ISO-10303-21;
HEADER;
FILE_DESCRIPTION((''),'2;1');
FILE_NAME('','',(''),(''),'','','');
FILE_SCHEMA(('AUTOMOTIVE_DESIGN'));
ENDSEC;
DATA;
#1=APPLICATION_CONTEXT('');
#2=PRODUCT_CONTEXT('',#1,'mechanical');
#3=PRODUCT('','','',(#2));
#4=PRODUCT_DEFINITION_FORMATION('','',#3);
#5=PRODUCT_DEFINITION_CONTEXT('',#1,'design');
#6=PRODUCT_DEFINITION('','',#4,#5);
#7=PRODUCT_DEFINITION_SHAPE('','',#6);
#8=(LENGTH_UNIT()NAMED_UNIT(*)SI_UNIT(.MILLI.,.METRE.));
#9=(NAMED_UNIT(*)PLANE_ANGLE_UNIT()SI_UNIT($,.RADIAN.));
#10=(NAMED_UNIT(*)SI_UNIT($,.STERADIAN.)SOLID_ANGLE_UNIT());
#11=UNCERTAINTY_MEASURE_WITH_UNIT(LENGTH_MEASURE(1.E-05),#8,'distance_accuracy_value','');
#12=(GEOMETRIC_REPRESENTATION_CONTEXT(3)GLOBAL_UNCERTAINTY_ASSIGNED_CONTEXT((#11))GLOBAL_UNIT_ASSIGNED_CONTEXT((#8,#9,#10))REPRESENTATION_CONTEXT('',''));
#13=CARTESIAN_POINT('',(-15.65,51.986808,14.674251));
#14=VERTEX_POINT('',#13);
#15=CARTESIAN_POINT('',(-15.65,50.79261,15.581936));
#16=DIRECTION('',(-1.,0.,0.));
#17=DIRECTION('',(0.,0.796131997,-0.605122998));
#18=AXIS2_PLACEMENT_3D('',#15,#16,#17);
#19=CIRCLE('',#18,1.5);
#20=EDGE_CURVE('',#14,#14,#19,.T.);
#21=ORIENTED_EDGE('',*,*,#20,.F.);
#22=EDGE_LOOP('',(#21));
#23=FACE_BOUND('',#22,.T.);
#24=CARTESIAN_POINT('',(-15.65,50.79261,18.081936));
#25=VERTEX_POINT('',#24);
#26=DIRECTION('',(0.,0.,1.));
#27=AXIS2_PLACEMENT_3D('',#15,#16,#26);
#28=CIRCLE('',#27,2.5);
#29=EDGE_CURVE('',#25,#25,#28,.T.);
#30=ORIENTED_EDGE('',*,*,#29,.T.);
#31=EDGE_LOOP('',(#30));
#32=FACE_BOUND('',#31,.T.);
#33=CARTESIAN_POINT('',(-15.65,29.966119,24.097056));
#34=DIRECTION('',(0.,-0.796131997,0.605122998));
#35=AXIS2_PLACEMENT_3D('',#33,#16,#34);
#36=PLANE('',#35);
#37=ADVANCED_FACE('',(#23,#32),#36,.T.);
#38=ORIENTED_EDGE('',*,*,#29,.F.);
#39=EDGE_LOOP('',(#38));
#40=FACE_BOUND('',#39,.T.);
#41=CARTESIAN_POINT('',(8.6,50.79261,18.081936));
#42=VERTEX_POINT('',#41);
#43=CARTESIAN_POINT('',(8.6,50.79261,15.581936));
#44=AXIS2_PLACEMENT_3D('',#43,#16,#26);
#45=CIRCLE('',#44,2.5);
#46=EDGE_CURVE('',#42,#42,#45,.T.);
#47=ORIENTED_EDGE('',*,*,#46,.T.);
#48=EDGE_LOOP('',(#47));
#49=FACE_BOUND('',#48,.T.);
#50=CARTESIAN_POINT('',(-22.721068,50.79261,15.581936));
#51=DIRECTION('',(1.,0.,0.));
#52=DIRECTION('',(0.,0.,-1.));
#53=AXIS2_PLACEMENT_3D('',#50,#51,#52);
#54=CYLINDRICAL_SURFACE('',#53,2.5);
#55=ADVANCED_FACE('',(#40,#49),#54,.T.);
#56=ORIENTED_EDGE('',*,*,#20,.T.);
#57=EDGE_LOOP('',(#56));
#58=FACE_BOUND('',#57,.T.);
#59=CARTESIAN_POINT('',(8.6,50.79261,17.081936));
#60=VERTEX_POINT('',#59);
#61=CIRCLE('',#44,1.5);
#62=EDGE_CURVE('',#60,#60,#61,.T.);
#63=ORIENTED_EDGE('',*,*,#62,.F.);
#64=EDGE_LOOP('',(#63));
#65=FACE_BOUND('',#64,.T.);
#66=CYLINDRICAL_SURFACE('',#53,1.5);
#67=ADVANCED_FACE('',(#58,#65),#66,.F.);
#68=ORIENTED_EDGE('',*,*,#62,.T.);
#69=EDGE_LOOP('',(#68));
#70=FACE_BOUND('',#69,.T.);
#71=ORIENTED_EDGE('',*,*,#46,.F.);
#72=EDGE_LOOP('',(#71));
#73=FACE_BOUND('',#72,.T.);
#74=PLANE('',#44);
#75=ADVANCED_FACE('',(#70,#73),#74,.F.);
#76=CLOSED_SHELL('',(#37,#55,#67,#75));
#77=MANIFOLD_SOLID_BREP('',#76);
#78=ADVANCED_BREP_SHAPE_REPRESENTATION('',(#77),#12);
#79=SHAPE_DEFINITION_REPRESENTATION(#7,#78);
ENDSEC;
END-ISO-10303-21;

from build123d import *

# Parameters (mm, degrees)
SKETCH2_R           = 2.5
SKETCH2_R_2         = 1.5
BOSS_EXTRUDE1_DEPTH = 24.25


with BuildPart() as part:
    # Sketch2 → Boss-Extrude1 (new body)
    with BuildSketch(Plane.ZY.offset(-8.6)):
        with Locations((15.581935778, 50.792610241)):
            Circle(SKETCH2_R)
        with Locations(Location((15.581935778, 50.792610241, 0), (0, 0, 127.237693231))):
            Circle(SKETCH2_R_2, mode=Mode.SUBTRACT)
    extrude(amount=BOSS_EXTRUDE1_DEPTH)


solid = part.part
